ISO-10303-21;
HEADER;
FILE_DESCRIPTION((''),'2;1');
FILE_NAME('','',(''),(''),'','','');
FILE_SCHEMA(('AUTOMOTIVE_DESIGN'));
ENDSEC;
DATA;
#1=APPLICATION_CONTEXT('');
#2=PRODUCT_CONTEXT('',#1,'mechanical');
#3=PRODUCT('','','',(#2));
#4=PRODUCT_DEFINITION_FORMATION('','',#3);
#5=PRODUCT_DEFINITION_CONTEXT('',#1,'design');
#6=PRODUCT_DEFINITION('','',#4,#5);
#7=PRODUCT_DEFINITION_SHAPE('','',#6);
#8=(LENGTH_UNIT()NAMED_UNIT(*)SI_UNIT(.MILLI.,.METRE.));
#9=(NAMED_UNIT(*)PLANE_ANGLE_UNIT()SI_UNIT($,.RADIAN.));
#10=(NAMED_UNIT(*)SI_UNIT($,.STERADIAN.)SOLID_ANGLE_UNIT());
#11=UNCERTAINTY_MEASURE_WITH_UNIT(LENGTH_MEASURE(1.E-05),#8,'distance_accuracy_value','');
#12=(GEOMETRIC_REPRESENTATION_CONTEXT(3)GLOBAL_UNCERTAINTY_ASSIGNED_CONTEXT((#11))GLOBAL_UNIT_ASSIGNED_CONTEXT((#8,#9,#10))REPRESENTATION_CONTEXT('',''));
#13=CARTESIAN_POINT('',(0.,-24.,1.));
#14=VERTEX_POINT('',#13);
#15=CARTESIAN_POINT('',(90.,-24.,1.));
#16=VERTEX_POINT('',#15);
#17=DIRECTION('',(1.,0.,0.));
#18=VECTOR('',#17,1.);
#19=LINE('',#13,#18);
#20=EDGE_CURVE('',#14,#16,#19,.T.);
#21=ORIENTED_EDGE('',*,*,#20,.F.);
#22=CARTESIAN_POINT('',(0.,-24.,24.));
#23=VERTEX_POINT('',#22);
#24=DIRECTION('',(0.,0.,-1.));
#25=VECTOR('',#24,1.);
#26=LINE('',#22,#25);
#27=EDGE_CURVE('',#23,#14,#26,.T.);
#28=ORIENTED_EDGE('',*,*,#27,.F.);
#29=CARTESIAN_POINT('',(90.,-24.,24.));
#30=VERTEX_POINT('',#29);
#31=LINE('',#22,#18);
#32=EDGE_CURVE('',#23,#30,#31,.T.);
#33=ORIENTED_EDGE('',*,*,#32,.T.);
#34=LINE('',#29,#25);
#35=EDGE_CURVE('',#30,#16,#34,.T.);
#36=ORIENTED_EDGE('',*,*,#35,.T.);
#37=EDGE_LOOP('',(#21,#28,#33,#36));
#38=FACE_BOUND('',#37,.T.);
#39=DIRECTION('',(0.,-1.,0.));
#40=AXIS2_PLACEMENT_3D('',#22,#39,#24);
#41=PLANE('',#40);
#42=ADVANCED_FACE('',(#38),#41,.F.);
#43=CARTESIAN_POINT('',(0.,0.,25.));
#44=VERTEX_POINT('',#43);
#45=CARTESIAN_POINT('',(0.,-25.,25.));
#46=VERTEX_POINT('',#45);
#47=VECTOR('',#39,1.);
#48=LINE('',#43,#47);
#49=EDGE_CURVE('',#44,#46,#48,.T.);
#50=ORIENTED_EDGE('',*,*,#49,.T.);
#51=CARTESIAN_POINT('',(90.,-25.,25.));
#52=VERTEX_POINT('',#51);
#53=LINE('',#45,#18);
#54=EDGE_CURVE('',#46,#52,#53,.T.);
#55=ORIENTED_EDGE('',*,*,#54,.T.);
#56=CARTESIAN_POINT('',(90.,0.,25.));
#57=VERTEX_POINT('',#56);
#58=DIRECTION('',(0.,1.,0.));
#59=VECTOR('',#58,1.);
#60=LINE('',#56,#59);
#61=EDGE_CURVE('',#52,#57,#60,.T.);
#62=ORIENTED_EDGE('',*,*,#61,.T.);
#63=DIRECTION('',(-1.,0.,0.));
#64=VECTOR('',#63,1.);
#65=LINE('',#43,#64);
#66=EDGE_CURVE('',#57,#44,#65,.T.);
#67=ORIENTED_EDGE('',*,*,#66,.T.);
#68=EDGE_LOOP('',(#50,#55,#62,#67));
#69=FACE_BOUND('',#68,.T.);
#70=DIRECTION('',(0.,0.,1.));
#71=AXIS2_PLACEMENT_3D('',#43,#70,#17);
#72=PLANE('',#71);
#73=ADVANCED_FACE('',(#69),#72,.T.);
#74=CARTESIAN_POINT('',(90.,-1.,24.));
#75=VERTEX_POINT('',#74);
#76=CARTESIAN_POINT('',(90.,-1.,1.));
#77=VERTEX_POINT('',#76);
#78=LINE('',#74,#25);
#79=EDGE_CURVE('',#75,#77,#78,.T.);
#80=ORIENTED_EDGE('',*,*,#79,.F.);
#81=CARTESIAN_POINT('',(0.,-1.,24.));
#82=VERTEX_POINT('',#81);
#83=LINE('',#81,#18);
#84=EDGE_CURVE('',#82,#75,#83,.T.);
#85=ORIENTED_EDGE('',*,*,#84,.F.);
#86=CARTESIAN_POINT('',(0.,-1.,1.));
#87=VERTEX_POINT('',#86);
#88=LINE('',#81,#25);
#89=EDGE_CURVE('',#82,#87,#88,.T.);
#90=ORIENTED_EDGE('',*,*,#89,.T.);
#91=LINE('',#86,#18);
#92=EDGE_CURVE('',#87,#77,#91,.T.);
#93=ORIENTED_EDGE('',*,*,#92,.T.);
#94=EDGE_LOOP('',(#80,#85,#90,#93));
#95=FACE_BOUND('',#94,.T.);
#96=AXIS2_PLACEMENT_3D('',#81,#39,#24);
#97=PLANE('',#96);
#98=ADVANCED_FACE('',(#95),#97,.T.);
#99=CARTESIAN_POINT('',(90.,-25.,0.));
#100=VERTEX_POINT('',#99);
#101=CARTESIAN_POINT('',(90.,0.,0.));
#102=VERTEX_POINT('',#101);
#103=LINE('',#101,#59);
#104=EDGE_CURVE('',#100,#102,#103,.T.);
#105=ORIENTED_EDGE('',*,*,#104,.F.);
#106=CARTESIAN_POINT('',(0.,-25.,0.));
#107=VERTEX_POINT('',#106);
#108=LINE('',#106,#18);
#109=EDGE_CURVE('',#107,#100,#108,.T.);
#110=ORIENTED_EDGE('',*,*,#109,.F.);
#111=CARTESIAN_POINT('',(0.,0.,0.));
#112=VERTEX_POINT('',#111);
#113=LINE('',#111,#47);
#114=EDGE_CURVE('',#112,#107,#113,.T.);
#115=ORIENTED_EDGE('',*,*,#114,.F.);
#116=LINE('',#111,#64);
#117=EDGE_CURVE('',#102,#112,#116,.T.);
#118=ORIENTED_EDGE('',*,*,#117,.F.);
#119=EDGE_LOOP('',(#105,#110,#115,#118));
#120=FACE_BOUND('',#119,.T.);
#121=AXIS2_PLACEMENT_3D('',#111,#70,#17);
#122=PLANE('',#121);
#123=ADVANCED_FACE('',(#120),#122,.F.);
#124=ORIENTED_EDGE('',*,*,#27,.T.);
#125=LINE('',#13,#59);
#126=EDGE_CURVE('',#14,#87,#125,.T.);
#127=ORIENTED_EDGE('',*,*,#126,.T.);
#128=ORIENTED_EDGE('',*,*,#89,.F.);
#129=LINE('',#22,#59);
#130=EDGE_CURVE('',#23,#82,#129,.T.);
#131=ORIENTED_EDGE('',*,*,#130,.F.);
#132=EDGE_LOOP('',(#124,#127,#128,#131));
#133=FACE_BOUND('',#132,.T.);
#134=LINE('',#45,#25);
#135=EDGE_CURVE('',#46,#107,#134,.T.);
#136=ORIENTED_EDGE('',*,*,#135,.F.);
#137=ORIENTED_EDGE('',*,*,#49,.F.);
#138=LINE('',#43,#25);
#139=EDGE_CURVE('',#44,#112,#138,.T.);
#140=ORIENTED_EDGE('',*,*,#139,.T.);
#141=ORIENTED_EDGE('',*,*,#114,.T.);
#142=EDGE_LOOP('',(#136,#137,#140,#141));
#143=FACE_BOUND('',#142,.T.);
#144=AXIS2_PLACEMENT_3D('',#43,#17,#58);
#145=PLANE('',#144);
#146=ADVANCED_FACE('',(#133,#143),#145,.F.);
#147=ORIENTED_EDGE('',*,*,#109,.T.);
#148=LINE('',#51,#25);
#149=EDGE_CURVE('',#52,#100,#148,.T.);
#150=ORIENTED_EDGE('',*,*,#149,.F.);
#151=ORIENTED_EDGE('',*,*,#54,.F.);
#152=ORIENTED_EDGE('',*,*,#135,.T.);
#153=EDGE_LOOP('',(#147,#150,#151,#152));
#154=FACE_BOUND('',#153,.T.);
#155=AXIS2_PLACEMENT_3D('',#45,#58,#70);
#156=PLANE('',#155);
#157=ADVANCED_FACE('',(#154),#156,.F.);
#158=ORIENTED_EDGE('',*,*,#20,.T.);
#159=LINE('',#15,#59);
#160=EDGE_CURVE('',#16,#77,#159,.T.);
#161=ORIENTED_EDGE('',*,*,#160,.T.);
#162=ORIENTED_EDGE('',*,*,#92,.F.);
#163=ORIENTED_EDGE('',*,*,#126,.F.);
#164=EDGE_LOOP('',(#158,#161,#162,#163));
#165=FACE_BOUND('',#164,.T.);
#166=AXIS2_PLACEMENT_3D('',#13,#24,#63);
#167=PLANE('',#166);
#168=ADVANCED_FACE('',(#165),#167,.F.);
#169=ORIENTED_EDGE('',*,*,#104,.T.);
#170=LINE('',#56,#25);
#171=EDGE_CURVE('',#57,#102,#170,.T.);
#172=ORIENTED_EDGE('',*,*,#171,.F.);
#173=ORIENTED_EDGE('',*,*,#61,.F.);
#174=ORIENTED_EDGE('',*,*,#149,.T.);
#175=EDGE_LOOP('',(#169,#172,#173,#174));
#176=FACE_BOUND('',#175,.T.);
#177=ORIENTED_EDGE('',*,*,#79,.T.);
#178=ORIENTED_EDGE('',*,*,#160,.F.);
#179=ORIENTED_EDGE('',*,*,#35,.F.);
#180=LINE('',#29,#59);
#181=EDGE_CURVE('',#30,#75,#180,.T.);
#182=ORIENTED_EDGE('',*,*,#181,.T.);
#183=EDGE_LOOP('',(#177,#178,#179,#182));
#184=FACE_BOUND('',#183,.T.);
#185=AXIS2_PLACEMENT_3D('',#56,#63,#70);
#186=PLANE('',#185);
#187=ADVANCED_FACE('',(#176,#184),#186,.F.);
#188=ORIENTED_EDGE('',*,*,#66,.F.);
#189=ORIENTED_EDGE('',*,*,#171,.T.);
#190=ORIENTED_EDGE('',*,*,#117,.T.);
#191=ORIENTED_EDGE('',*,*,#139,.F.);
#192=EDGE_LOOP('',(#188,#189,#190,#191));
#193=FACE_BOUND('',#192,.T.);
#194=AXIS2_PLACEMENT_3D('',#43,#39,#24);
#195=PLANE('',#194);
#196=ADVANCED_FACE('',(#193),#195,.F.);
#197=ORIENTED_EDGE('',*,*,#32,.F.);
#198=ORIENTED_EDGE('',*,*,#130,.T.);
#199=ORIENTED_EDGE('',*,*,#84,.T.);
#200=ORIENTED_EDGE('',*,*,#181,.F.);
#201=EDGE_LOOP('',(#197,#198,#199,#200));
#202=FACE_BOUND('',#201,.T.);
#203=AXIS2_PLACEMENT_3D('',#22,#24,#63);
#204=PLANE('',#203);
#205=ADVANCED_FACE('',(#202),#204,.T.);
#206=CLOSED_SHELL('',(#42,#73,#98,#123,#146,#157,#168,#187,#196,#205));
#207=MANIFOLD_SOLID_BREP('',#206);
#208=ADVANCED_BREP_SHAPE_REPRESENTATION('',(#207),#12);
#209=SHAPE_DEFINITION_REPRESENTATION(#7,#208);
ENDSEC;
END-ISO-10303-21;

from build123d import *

# Parameters (mm, degrees)
SKETCH2_W           = 90
SKETCH2_H           = 25
BOSS_EXTRUDE1_DEPTH = 25
SKETCH3_W           = 23
SKETCH3_H           = 23
CUT_EXTRUDE1_DEPTH  = 97.695398029


with BuildPart() as part:
    # Sketch2 → Boss-Extrude1 (new body)
    with BuildSketch(Plane.XY):
        with Locations((45, -12.5)):
            Rectangle(SKETCH2_W, SKETCH2_H)
    extrude(amount=BOSS_EXTRUDE1_DEPTH)

    # Sketch3 → Cut-Extrude1 (cut, through all)
    with BuildSketch(Plane(origin=(90, 0, 0), x_dir=(0, 0, -1), z_dir=(1, 0, 0))):
        with Locations((-12.5, -12.5)):
            Rectangle(SKETCH3_W, SKETCH3_H)
    extrude(amount=-CUT_EXTRUDE1_DEPTH, mode=Mode.SUBTRACT)


solid = part.part
